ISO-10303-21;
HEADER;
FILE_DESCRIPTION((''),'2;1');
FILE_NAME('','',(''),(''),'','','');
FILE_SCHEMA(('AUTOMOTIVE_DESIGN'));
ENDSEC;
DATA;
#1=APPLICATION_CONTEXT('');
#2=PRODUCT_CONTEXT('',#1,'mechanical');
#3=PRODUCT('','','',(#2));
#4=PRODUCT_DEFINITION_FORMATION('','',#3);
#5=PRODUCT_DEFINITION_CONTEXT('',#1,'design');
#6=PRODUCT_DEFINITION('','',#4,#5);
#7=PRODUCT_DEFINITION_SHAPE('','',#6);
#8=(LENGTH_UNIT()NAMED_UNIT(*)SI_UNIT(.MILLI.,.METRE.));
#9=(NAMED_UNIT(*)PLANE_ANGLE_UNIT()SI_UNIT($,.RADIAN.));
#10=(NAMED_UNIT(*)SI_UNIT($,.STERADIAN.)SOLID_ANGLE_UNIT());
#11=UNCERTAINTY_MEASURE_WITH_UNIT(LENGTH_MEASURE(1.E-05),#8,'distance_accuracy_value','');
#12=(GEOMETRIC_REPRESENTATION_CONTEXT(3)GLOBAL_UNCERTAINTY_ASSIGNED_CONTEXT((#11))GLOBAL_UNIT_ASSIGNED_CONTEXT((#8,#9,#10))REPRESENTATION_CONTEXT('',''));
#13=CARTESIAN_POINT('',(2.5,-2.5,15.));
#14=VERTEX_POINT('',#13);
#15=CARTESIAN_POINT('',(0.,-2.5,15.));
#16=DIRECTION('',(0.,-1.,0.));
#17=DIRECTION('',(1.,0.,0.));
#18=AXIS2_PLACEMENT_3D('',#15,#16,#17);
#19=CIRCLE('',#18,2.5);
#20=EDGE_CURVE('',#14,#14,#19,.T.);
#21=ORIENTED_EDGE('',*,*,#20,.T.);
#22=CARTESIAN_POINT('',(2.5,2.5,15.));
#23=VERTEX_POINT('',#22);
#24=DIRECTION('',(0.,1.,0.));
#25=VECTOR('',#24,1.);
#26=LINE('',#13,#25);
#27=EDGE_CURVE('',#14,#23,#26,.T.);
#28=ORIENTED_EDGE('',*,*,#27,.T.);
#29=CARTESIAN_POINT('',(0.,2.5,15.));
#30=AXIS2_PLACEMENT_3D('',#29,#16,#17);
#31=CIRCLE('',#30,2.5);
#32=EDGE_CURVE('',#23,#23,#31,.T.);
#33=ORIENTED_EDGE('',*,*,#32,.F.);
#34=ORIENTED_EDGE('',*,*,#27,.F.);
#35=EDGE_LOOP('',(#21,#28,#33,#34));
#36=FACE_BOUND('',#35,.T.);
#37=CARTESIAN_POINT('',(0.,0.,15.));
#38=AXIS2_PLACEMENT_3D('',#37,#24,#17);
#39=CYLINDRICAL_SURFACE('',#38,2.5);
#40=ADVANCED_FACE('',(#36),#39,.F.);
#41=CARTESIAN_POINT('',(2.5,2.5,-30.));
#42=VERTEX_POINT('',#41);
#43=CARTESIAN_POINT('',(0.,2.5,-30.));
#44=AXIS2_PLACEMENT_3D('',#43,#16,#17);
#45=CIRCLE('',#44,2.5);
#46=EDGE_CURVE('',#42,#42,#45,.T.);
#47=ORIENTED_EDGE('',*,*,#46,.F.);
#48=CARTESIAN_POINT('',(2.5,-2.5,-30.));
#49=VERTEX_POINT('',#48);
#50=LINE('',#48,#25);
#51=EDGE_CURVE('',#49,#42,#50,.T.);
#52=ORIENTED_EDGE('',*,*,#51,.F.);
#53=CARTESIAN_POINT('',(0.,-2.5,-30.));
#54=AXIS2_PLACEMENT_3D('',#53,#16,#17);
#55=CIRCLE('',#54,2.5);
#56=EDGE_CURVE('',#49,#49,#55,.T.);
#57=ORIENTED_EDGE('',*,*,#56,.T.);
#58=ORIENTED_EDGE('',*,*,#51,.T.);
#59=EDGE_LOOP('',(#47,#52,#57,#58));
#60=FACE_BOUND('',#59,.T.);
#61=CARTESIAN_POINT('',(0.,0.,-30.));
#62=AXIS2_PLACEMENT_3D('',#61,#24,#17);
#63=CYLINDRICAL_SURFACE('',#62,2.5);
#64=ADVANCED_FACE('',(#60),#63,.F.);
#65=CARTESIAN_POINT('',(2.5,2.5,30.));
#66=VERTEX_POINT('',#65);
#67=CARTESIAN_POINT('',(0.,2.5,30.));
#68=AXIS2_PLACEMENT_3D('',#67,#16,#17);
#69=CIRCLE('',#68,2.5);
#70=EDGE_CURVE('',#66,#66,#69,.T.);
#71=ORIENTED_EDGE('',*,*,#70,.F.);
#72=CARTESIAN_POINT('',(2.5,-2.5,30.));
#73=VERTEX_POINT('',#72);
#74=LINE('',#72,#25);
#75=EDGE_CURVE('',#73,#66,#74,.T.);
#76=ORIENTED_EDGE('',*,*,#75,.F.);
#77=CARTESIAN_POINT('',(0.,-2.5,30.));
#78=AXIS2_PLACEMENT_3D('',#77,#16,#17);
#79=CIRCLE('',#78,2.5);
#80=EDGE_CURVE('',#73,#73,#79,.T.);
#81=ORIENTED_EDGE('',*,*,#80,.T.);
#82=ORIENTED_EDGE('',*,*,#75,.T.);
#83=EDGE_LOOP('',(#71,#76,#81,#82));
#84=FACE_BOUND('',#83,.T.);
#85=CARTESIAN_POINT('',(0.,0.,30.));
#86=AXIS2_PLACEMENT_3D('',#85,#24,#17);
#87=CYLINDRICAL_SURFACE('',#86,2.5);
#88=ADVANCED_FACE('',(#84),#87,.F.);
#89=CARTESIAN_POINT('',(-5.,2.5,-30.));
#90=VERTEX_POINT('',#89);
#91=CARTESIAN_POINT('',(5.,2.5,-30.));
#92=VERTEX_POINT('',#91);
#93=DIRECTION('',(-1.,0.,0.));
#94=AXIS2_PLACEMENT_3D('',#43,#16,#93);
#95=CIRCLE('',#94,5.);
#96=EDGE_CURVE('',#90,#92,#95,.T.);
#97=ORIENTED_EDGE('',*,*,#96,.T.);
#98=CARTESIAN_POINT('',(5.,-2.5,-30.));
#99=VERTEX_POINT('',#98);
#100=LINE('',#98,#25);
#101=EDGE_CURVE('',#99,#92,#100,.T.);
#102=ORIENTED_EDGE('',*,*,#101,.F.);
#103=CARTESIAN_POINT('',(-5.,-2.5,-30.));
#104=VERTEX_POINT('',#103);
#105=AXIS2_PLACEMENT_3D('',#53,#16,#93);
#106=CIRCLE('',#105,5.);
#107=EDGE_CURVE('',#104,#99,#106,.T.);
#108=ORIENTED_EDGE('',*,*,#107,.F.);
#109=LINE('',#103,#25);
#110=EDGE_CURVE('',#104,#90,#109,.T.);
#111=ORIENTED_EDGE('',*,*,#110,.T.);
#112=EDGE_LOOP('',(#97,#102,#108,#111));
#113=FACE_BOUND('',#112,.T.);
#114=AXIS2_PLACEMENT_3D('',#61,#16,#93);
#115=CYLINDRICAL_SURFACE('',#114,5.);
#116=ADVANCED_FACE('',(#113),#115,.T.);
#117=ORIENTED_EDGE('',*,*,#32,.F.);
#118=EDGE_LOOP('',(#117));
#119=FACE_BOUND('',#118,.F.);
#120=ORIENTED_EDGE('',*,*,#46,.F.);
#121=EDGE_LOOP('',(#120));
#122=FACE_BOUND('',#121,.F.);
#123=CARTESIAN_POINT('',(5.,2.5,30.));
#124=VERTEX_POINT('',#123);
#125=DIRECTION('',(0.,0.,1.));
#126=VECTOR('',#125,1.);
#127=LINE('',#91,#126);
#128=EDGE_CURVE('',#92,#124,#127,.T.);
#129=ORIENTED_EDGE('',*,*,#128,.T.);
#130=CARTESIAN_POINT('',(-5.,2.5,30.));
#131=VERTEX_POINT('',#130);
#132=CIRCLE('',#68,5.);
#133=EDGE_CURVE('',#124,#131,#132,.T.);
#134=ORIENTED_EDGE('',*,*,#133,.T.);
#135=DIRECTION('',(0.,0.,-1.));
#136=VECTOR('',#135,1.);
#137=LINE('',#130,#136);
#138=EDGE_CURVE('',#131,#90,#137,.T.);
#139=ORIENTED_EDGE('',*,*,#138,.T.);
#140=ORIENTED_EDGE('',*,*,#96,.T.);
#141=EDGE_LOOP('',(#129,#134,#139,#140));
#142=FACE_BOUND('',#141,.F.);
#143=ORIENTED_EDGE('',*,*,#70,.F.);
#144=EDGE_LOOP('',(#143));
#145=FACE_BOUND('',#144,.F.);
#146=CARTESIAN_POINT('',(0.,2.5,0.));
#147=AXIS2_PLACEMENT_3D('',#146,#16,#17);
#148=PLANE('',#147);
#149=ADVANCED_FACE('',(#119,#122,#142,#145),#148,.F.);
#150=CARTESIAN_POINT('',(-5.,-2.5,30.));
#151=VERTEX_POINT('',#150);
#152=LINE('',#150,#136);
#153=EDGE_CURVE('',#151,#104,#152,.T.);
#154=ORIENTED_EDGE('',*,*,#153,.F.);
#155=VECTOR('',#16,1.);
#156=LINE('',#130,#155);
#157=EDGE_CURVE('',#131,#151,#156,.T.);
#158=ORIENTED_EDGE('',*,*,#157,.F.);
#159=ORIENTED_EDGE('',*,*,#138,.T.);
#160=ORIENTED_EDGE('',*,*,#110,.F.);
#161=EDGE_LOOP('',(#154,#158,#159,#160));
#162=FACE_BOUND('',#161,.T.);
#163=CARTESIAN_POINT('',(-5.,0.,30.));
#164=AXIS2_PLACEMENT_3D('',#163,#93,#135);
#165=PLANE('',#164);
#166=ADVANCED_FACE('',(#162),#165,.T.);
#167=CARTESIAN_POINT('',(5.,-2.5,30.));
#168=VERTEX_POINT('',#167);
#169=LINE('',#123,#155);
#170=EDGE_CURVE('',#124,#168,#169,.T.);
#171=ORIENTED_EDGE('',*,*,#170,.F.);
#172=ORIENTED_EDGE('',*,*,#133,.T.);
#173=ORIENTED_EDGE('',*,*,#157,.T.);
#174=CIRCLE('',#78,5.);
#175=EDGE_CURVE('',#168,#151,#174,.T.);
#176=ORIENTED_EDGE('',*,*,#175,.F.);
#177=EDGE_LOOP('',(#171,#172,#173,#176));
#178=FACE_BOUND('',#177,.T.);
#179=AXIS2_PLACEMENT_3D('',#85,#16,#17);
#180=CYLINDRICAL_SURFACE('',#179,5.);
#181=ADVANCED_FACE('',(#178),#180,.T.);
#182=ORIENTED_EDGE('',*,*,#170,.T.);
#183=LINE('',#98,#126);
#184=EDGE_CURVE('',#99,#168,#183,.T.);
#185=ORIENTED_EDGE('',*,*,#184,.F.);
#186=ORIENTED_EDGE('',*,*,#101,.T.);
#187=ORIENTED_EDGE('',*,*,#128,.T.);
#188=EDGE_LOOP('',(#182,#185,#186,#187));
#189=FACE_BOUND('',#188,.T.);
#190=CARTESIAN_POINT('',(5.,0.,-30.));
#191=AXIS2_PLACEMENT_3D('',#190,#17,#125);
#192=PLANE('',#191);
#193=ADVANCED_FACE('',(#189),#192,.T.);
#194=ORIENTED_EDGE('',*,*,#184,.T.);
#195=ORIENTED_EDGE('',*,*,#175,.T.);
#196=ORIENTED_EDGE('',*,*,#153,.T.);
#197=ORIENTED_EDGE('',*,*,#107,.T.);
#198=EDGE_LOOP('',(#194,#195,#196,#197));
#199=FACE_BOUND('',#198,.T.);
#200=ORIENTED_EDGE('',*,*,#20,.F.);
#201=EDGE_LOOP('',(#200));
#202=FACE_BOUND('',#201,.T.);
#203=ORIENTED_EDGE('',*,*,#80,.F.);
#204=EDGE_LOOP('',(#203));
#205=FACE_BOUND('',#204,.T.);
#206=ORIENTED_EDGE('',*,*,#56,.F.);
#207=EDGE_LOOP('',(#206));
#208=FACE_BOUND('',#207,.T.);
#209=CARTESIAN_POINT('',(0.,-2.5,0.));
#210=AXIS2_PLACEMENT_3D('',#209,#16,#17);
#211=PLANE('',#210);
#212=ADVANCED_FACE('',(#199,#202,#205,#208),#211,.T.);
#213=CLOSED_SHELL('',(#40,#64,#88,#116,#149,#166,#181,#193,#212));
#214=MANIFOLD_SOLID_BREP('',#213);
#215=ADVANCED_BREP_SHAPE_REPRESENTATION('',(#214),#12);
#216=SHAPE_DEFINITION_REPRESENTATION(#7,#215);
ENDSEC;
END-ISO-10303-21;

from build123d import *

# Parameters (mm, degrees)
F0_R     = 2.5
F1_DEPTH = 2.5


with BuildPart() as f1:
    # F0 (on Front) → F1 (new body, symmetric)
    with BuildSketch(Plane.XZ):
        with BuildLine():
            Line((5, -30), (5, 30))
            ThreePointArc((5, 30), (0, 35), (-5, 30))
            Line((-5, 30), (-5, -30))
            ThreePointArc((-5, -30), (0, -35), (5, -30))
        make_face()
        with Locations((0, -30)):
            Circle(F0_R, mode=Mode.SUBTRACT)
        with Locations((0, 15)):
            Circle(F0_R, mode=Mode.SUBTRACT)
        with Locations((0, 30)):
            Circle(F0_R, mode=Mode.SUBTRACT)
    extrude(amount=F1_DEPTH, both=True)


solid = f1.part
